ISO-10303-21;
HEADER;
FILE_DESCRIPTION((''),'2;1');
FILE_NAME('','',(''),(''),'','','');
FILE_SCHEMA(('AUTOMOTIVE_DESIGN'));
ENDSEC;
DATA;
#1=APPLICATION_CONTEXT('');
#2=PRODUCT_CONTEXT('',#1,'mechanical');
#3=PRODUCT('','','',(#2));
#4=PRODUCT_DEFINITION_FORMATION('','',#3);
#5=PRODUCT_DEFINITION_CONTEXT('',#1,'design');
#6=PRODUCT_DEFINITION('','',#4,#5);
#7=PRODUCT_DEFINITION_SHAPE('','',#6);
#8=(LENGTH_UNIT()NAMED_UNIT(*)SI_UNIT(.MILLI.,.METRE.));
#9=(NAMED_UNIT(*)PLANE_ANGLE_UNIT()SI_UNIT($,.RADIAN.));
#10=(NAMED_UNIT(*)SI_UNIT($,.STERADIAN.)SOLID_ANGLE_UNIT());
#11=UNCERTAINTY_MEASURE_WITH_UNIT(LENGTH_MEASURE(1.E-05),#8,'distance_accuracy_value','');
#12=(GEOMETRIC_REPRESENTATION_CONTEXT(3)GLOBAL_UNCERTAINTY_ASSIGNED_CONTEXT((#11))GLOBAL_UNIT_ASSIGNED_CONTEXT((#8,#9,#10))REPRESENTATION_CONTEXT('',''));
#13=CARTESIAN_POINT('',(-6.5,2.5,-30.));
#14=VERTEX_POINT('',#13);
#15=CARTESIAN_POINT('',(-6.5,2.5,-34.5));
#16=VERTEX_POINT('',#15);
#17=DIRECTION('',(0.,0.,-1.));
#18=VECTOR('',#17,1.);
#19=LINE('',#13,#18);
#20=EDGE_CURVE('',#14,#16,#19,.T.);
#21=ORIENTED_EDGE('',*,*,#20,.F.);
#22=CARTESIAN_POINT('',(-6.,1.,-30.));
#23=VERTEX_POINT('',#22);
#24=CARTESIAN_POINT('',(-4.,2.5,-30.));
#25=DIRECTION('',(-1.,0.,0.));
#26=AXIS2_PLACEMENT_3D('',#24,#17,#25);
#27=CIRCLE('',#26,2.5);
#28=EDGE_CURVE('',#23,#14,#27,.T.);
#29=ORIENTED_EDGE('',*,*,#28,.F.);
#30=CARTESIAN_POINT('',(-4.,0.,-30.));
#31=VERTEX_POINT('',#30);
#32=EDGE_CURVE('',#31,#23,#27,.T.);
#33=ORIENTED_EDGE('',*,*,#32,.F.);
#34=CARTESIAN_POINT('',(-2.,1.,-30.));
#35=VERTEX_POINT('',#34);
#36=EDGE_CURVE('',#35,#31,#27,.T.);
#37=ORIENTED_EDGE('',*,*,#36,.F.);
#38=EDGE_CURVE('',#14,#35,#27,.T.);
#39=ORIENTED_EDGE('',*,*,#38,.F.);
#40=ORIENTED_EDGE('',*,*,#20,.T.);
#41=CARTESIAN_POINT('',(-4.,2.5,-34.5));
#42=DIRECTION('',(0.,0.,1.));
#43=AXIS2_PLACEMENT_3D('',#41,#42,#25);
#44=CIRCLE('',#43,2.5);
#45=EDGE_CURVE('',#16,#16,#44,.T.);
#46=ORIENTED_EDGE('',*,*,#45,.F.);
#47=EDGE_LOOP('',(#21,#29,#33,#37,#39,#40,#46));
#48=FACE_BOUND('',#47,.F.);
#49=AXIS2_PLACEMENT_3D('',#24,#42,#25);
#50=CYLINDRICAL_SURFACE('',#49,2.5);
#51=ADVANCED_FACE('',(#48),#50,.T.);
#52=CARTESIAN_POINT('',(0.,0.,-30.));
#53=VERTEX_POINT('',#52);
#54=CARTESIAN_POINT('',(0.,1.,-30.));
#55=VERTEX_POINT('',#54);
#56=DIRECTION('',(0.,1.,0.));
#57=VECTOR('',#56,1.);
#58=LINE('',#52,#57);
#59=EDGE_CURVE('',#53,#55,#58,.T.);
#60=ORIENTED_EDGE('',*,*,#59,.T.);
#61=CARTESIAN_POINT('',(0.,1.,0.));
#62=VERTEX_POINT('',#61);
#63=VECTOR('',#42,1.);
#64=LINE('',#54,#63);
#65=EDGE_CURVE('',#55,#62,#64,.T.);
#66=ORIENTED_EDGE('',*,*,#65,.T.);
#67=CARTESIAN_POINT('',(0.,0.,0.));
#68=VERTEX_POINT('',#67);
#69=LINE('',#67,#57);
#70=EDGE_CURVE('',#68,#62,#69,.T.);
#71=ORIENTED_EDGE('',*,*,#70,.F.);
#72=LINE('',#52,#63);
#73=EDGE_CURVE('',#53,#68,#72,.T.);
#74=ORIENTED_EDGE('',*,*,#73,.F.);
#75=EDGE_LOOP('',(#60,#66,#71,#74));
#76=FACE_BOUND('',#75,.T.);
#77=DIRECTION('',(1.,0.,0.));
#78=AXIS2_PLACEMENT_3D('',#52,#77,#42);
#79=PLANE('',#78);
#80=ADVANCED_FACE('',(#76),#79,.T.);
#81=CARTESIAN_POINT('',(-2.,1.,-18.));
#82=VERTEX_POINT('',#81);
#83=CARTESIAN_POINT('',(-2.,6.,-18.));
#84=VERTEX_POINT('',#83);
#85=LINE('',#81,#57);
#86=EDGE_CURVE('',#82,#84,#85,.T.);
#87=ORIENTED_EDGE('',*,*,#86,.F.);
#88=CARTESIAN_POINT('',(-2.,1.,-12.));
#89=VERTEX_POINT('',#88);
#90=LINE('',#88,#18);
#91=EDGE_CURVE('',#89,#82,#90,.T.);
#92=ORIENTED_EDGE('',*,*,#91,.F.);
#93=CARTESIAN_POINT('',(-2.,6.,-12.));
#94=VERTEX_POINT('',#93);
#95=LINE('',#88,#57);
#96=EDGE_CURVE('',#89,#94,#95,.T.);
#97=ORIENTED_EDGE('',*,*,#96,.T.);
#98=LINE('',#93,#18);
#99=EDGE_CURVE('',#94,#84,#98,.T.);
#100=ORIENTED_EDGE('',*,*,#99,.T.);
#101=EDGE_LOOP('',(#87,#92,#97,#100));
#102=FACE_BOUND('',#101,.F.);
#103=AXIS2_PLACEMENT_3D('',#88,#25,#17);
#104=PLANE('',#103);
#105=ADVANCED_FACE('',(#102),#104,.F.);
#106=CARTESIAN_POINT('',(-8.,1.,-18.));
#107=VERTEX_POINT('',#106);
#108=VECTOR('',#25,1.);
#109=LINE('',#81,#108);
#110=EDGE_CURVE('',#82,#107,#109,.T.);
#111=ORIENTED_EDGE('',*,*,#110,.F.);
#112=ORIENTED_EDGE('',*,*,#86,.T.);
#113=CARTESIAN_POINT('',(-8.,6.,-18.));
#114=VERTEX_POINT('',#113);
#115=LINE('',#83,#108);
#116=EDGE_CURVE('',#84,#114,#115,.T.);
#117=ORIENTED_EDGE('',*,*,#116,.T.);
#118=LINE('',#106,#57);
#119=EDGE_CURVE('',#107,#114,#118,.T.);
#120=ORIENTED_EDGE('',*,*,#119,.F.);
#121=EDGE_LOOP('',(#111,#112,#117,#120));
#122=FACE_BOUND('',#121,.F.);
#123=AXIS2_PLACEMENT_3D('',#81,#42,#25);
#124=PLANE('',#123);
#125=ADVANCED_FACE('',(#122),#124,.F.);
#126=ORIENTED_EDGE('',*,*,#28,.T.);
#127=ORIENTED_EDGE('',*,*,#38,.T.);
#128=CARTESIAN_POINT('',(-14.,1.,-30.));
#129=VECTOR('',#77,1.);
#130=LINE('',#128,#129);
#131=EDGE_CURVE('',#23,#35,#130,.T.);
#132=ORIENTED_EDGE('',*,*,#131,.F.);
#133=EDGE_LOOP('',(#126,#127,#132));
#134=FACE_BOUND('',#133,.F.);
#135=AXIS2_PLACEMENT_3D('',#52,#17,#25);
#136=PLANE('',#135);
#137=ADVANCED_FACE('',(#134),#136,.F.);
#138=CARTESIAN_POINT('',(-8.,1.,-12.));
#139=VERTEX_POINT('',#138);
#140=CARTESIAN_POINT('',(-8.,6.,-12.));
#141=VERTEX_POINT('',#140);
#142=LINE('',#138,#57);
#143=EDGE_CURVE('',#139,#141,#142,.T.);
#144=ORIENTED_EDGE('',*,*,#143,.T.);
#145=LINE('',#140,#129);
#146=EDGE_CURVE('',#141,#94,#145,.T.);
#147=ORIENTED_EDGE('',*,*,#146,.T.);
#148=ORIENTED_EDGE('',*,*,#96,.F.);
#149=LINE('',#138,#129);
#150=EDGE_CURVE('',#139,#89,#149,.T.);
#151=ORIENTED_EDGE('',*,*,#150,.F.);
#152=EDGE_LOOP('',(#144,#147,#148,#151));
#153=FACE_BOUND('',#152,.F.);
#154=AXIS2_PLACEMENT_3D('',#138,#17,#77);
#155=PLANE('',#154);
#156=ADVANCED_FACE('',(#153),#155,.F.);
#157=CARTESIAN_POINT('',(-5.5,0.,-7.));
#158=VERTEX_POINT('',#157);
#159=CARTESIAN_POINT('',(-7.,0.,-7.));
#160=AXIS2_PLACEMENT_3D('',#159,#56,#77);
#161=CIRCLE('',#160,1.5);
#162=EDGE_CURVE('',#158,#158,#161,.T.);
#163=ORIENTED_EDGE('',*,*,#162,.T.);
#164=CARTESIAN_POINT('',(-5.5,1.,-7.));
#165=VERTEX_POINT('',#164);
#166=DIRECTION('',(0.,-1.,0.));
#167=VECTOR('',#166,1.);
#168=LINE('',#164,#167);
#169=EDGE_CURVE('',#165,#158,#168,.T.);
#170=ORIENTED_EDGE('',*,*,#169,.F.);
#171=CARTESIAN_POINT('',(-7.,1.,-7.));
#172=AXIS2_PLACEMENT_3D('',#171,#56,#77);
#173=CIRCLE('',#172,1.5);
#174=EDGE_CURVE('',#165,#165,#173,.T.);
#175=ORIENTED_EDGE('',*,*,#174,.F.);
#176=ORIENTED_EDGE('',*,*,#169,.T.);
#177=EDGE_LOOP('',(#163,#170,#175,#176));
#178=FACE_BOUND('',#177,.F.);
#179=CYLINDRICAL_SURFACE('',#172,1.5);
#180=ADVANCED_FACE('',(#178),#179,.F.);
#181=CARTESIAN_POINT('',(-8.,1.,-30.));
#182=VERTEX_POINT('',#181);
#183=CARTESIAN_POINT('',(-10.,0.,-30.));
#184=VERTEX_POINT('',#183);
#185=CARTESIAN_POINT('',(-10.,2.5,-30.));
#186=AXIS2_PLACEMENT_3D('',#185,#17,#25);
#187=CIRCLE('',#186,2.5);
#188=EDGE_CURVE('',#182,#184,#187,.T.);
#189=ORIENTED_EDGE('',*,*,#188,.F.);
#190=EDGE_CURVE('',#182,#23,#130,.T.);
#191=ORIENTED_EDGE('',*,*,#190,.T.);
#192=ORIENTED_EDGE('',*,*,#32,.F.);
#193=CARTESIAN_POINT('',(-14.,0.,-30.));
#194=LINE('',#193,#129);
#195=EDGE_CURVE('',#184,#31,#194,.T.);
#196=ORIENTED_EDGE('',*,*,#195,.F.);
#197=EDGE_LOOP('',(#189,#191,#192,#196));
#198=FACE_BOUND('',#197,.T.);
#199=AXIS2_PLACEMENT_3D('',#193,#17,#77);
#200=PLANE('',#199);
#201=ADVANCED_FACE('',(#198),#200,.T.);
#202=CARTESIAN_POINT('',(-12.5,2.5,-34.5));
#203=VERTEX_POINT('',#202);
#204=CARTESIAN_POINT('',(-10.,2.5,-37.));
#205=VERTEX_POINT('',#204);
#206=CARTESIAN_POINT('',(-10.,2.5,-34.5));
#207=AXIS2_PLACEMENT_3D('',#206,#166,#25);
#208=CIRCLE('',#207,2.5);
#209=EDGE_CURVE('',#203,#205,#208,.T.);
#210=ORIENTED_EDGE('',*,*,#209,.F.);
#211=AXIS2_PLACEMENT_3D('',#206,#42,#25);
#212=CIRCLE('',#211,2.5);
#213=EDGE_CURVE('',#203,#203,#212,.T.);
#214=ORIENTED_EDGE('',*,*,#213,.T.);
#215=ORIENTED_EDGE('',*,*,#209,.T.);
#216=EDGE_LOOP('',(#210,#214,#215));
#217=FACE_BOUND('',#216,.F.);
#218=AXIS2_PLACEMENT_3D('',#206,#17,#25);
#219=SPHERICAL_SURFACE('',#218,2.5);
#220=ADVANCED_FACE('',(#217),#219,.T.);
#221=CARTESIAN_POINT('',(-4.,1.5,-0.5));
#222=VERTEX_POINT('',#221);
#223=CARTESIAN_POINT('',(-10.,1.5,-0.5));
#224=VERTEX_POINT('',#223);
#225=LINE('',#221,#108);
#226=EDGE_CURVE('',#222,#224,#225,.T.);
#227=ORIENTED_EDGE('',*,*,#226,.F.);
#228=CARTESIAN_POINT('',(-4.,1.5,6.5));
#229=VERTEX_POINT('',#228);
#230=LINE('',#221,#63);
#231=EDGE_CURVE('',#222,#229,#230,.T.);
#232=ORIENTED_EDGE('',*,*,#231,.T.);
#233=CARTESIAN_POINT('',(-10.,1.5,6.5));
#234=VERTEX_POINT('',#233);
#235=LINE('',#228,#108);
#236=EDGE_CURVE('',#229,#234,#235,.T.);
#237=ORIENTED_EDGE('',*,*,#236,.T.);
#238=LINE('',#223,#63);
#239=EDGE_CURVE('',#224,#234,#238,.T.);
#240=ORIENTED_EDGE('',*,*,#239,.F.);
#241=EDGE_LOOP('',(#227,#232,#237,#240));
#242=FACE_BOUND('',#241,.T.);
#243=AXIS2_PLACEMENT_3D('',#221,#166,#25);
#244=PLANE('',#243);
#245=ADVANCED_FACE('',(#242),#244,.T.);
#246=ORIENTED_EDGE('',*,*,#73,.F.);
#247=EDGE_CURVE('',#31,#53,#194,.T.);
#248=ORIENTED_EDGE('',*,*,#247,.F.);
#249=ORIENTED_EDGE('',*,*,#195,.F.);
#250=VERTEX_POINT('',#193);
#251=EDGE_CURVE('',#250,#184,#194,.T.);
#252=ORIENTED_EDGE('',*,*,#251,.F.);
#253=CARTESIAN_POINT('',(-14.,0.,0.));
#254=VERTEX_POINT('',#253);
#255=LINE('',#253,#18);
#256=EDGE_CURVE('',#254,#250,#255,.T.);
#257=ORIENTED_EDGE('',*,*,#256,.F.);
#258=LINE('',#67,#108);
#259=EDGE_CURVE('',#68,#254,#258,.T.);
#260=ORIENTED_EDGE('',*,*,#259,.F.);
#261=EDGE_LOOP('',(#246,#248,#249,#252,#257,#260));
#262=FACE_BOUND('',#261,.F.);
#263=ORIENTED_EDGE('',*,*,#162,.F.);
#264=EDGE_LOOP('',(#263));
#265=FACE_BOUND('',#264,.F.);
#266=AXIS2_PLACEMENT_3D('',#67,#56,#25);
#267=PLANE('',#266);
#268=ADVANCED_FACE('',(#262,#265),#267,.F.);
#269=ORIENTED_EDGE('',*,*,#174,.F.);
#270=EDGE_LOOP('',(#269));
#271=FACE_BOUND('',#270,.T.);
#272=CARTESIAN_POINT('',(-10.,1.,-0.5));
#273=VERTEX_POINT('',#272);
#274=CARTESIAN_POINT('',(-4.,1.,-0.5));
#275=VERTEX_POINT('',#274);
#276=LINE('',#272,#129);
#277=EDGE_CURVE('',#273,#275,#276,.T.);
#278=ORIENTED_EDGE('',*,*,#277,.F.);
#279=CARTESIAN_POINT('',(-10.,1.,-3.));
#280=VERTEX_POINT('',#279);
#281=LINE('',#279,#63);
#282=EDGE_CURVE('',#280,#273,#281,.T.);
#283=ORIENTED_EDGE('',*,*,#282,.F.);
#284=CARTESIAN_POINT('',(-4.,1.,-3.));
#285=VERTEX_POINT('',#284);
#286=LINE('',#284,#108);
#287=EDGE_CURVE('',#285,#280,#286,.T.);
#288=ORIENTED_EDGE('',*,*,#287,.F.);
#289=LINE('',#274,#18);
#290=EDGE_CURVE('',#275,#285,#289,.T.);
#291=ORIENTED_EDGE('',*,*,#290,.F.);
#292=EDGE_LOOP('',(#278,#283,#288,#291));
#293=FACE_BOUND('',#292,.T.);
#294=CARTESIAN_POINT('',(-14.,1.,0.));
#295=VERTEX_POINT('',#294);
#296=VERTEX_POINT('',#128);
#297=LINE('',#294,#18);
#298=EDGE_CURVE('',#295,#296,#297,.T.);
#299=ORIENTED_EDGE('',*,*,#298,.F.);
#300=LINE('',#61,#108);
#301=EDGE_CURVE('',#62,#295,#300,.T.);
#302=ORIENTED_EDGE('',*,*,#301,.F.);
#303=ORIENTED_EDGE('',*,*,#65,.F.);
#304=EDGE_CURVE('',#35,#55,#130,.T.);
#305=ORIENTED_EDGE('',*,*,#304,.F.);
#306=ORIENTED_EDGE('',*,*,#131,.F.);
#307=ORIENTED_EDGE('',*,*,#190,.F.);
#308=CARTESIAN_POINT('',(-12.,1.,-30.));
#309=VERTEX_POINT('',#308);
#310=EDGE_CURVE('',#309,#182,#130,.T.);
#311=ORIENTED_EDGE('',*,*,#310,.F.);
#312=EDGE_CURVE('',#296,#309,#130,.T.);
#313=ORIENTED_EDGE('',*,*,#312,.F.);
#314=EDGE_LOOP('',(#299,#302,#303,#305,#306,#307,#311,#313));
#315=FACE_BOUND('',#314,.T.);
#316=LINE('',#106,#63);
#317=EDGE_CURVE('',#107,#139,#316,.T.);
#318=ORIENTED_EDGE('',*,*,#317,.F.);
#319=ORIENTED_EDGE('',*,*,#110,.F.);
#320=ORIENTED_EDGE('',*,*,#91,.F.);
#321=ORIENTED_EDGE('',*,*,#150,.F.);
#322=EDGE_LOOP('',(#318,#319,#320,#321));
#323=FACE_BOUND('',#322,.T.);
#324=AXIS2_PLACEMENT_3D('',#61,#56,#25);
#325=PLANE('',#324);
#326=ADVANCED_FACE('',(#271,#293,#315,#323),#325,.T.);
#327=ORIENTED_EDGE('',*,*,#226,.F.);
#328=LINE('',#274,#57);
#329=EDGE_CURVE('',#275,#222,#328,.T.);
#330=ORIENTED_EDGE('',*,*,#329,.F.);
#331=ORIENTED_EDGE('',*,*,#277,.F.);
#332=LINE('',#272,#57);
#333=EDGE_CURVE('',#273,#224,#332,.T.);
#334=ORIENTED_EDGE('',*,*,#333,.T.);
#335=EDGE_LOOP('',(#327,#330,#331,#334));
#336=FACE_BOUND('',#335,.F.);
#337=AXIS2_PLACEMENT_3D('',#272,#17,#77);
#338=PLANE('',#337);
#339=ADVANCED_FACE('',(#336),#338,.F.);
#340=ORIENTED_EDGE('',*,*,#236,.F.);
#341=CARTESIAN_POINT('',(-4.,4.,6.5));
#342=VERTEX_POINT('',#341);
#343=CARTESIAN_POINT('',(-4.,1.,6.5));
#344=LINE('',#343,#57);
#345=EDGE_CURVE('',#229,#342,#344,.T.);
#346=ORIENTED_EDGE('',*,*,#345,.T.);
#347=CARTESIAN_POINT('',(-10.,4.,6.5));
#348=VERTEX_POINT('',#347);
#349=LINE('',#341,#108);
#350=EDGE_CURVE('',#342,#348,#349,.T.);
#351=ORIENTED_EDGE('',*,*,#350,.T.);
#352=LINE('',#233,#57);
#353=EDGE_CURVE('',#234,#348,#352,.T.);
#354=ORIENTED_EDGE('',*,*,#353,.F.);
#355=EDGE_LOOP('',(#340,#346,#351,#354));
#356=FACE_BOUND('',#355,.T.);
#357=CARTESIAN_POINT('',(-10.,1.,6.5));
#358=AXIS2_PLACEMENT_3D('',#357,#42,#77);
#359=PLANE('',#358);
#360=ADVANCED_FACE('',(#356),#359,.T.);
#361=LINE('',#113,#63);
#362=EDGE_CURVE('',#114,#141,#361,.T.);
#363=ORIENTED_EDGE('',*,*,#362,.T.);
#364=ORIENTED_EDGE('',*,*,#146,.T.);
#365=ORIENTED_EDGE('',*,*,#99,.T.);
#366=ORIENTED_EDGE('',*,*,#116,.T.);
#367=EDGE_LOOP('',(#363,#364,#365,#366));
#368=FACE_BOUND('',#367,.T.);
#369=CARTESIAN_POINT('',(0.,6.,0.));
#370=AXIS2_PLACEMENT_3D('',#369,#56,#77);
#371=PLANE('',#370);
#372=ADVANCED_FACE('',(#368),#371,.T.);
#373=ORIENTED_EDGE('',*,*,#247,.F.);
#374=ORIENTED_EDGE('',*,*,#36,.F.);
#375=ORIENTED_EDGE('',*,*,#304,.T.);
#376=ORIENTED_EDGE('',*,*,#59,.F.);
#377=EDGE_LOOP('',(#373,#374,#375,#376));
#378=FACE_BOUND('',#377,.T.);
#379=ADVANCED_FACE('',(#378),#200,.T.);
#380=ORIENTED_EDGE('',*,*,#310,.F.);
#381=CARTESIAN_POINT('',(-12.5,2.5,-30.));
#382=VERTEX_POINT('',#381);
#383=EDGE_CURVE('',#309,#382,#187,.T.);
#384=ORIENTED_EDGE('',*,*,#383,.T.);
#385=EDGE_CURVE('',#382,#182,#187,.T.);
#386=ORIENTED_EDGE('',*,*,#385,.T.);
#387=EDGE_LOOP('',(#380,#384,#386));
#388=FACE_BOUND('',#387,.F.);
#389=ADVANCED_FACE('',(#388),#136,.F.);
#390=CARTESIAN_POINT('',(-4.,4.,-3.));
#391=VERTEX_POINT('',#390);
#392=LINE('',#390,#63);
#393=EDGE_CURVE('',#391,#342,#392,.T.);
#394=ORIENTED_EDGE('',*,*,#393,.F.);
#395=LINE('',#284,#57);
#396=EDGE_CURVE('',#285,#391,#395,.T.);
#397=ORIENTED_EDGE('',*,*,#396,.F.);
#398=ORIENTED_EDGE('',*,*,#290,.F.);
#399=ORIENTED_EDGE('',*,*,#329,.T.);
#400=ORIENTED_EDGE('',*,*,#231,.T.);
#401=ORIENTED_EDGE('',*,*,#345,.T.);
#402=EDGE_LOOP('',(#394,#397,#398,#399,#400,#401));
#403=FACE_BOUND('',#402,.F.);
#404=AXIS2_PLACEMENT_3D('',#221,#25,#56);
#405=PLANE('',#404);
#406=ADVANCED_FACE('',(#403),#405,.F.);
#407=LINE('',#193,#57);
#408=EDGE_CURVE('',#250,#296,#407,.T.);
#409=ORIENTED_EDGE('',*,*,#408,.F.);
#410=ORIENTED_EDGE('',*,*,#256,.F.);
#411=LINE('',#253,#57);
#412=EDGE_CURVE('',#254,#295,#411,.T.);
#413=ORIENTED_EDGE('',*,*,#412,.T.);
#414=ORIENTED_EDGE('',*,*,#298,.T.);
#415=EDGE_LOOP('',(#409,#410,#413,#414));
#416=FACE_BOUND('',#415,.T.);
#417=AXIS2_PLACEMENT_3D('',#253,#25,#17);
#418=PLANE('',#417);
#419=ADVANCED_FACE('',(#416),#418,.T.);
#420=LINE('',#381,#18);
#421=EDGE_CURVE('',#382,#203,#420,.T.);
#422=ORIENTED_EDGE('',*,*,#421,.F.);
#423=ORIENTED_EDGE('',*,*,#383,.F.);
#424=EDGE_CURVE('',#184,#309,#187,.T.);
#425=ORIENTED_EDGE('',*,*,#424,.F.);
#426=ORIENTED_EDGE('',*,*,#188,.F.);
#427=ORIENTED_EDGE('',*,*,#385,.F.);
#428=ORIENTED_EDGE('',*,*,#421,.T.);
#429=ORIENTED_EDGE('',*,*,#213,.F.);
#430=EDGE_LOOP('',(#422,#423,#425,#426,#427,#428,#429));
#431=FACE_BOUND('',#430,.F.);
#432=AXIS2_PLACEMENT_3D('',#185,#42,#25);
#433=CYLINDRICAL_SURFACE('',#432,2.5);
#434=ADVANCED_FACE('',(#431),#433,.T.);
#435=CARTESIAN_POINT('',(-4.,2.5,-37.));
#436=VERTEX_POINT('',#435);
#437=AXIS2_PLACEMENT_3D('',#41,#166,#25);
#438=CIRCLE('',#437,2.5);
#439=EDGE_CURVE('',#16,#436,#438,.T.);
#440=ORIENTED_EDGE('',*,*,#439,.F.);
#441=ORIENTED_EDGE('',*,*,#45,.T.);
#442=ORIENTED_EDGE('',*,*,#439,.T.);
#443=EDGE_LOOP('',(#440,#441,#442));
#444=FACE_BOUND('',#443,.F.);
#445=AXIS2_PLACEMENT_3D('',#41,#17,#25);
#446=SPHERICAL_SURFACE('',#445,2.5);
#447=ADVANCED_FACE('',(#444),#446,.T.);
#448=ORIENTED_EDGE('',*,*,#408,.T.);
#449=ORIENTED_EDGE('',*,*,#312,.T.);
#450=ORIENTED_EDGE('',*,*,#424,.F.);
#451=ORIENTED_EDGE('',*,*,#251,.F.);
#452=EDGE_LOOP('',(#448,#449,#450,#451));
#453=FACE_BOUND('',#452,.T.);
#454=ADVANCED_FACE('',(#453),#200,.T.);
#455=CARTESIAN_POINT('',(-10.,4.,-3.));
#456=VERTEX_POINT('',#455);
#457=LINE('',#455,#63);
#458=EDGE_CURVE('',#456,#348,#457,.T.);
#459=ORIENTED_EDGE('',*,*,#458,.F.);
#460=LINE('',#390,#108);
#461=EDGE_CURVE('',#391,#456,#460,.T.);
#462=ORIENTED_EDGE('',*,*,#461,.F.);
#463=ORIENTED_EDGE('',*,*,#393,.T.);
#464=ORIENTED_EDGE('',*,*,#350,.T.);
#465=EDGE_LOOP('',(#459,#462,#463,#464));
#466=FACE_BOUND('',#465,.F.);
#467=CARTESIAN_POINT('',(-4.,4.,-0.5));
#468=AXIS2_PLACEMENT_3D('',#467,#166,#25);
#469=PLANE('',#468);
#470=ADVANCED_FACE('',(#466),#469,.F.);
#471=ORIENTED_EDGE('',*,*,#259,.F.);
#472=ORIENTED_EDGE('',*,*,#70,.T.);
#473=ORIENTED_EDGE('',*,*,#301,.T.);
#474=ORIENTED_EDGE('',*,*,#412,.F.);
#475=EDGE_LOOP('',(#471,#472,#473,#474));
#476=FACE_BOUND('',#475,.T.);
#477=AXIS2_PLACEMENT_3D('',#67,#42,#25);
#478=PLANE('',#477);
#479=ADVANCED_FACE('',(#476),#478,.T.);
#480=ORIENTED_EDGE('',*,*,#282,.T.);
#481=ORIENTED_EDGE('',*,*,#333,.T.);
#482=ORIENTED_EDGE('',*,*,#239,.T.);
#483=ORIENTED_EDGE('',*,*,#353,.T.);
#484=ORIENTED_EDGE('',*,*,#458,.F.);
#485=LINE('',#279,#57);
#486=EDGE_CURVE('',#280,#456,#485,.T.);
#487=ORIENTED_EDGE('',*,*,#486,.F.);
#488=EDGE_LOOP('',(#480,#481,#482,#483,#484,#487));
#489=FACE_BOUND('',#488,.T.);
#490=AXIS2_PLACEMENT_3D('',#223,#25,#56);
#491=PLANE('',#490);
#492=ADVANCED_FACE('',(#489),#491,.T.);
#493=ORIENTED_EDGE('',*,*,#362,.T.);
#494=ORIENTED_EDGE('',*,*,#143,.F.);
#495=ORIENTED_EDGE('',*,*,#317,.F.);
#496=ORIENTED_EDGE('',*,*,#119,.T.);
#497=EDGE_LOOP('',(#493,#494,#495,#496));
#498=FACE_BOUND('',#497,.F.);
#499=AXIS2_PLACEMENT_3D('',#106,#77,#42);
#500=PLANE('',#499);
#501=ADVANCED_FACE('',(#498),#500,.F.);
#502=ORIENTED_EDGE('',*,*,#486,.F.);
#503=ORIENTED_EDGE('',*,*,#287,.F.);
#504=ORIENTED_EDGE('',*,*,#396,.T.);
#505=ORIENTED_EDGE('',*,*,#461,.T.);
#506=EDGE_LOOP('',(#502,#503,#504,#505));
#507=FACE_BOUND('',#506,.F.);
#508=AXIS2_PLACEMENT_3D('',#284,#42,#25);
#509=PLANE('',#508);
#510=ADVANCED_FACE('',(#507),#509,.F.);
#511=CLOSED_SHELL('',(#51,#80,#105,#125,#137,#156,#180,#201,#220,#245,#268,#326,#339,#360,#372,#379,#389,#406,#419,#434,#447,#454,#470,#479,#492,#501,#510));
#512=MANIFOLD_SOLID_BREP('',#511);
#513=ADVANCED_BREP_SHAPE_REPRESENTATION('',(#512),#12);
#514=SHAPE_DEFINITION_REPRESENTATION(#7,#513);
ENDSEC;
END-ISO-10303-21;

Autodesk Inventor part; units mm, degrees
ref_plane "YZ Plane" through (0, 0, 0) normal (1, 0, 0) x (0, 1, 0)
ref_plane "XZ Plane" through (0, 0, 0) normal (0, 1, 0) x (-1, 0, 0)
ref_plane "XY Plane" through (0, 0, 0) normal (0, 0, 1) x (1, 0, 0)
sketch "Sketch1" plane through (0, 0, 0) normal (0, 1, 0) x (-1, 0, 0)
  line L0 (0, 0) -> (14, 0)
  line L1 (14, 0) -> (14, -30)
  line L2 (14, -30) -> (0, -30)
  line L3 (0, -30) -> (0, 0)
  dimension "d0" = 14
  dimension "d1" = 30
extrude "Extrusion1" add sketch "Sketch1" along normal blind 1
sketch "Sketch2" plane through (0, 0, -30) normal (0, 0, -1) x (-1, 0, 0)
  circle A0 centre (4, 2.5) radius 2.5
  circle A1 centre (10, 2.5) radius 2.5
  line L0 (0, 0) -> (14, 0) projected
  line L1 (14, 0) -> (14, 1) projected
  line L2 (0, 0) -> (0, 1) projected
  point P0 (14, 0.5)
  point P1 (0, 0.5)
  dimension "d4" = 5
  dimension "d5" = 5
  dimension "d6" = 2.5
  dimension "d7" = 4
  dimension "d8" = 4
extrude "Extrusion2" add sketch "Sketch2" along normal blind 7
fillet "Fillet1" radius 2.5 2 edges at (-1.5, 2.5, -37) (-7.5, 2.5, -37)
sketch "Sketch3" plane through (0, 1, 0) normal (0, 1, 0) x (1, 0, 0)
  line L0 (-10, 0.5) -> (-4, 0.5)
  line L1 (-4, 0.5) -> (-4, 3)
  line L2 (-4, 3) -> (-10, 3)
  line L3 (-10, 3) -> (-10, 0.5)
  line L4 (0, 0) -> (0, 30) projected
  line L5 (-14, 0) -> (0, 0) projected
  point P0 (-7, 0.5)
  dimension "d12" = 6
  dimension "d13" = 4
  dimension "d14" = 2.5
  dimension "d15" = 0.5
extrude "Extrusion3" add sketch "Sketch3" along normal blind 3
sketch "Sketch4" plane through (-10, 1, -0.5) normal (0, 0, 1) x (1, 0, 0)
  line L0 (6, 3) -> (0, 3) projected
  line L1 (6, 0) -> (6, 3) projected
  line L2 (0, 3) -> (6, 3)
  line L3 (6, 3) -> (6, 0.5)
  line L4 (6, 0.5) -> (0, 0.5)
  line L5 (0, 0.5) -> (0, 3)
  point P0 (10, -1)
  dimension "d18" = 2.5
extrude "Extrusion4" add sketch "Sketch4" along normal blind 7
sketch "Sketch5" plane through (0, 1, 0) normal (0, 1, 0) x (1, 0, 0)
  line L0 (-2, 18) -> (-8, 18)
  line L1 (-8, 18) -> (-8, 12)
  line L2 (-8, 12) -> (-2, 12)
  line L3 (-2, 12) -> (-2, 18)
  line L4 (0, 0) -> (0, 30) projected
  line L5 (-1.5, 30) -> (-6.5, 30) projected
  point P0 (-2, 15)
  point P1 (-6, 30)
  point P2 (-2, 30)
  dimension "d21" = 6
  dimension "d22" = 6
  dimension "d23" = 2
  dimension "d24" = 12
extrude "Extrusion5" add sketch "Sketch5" along normal blind 5
sketch "Sketch6" plane through (0, 1, 0) normal (0, 1, 0) x (1, 0, 0)
  circle A0 centre (-7, 7) radius 1.5
  line L0 (-14, 0) -> (0, 0) projected
  line L1 (0, 0) -> (0, 30) projected
  dimension "d27" = 3
  dimension "d28" = 7
  dimension "d29" = 7
extrude "Extrusion6" cut sketch "Sketch6" against normal through all
properties part number "IR"
